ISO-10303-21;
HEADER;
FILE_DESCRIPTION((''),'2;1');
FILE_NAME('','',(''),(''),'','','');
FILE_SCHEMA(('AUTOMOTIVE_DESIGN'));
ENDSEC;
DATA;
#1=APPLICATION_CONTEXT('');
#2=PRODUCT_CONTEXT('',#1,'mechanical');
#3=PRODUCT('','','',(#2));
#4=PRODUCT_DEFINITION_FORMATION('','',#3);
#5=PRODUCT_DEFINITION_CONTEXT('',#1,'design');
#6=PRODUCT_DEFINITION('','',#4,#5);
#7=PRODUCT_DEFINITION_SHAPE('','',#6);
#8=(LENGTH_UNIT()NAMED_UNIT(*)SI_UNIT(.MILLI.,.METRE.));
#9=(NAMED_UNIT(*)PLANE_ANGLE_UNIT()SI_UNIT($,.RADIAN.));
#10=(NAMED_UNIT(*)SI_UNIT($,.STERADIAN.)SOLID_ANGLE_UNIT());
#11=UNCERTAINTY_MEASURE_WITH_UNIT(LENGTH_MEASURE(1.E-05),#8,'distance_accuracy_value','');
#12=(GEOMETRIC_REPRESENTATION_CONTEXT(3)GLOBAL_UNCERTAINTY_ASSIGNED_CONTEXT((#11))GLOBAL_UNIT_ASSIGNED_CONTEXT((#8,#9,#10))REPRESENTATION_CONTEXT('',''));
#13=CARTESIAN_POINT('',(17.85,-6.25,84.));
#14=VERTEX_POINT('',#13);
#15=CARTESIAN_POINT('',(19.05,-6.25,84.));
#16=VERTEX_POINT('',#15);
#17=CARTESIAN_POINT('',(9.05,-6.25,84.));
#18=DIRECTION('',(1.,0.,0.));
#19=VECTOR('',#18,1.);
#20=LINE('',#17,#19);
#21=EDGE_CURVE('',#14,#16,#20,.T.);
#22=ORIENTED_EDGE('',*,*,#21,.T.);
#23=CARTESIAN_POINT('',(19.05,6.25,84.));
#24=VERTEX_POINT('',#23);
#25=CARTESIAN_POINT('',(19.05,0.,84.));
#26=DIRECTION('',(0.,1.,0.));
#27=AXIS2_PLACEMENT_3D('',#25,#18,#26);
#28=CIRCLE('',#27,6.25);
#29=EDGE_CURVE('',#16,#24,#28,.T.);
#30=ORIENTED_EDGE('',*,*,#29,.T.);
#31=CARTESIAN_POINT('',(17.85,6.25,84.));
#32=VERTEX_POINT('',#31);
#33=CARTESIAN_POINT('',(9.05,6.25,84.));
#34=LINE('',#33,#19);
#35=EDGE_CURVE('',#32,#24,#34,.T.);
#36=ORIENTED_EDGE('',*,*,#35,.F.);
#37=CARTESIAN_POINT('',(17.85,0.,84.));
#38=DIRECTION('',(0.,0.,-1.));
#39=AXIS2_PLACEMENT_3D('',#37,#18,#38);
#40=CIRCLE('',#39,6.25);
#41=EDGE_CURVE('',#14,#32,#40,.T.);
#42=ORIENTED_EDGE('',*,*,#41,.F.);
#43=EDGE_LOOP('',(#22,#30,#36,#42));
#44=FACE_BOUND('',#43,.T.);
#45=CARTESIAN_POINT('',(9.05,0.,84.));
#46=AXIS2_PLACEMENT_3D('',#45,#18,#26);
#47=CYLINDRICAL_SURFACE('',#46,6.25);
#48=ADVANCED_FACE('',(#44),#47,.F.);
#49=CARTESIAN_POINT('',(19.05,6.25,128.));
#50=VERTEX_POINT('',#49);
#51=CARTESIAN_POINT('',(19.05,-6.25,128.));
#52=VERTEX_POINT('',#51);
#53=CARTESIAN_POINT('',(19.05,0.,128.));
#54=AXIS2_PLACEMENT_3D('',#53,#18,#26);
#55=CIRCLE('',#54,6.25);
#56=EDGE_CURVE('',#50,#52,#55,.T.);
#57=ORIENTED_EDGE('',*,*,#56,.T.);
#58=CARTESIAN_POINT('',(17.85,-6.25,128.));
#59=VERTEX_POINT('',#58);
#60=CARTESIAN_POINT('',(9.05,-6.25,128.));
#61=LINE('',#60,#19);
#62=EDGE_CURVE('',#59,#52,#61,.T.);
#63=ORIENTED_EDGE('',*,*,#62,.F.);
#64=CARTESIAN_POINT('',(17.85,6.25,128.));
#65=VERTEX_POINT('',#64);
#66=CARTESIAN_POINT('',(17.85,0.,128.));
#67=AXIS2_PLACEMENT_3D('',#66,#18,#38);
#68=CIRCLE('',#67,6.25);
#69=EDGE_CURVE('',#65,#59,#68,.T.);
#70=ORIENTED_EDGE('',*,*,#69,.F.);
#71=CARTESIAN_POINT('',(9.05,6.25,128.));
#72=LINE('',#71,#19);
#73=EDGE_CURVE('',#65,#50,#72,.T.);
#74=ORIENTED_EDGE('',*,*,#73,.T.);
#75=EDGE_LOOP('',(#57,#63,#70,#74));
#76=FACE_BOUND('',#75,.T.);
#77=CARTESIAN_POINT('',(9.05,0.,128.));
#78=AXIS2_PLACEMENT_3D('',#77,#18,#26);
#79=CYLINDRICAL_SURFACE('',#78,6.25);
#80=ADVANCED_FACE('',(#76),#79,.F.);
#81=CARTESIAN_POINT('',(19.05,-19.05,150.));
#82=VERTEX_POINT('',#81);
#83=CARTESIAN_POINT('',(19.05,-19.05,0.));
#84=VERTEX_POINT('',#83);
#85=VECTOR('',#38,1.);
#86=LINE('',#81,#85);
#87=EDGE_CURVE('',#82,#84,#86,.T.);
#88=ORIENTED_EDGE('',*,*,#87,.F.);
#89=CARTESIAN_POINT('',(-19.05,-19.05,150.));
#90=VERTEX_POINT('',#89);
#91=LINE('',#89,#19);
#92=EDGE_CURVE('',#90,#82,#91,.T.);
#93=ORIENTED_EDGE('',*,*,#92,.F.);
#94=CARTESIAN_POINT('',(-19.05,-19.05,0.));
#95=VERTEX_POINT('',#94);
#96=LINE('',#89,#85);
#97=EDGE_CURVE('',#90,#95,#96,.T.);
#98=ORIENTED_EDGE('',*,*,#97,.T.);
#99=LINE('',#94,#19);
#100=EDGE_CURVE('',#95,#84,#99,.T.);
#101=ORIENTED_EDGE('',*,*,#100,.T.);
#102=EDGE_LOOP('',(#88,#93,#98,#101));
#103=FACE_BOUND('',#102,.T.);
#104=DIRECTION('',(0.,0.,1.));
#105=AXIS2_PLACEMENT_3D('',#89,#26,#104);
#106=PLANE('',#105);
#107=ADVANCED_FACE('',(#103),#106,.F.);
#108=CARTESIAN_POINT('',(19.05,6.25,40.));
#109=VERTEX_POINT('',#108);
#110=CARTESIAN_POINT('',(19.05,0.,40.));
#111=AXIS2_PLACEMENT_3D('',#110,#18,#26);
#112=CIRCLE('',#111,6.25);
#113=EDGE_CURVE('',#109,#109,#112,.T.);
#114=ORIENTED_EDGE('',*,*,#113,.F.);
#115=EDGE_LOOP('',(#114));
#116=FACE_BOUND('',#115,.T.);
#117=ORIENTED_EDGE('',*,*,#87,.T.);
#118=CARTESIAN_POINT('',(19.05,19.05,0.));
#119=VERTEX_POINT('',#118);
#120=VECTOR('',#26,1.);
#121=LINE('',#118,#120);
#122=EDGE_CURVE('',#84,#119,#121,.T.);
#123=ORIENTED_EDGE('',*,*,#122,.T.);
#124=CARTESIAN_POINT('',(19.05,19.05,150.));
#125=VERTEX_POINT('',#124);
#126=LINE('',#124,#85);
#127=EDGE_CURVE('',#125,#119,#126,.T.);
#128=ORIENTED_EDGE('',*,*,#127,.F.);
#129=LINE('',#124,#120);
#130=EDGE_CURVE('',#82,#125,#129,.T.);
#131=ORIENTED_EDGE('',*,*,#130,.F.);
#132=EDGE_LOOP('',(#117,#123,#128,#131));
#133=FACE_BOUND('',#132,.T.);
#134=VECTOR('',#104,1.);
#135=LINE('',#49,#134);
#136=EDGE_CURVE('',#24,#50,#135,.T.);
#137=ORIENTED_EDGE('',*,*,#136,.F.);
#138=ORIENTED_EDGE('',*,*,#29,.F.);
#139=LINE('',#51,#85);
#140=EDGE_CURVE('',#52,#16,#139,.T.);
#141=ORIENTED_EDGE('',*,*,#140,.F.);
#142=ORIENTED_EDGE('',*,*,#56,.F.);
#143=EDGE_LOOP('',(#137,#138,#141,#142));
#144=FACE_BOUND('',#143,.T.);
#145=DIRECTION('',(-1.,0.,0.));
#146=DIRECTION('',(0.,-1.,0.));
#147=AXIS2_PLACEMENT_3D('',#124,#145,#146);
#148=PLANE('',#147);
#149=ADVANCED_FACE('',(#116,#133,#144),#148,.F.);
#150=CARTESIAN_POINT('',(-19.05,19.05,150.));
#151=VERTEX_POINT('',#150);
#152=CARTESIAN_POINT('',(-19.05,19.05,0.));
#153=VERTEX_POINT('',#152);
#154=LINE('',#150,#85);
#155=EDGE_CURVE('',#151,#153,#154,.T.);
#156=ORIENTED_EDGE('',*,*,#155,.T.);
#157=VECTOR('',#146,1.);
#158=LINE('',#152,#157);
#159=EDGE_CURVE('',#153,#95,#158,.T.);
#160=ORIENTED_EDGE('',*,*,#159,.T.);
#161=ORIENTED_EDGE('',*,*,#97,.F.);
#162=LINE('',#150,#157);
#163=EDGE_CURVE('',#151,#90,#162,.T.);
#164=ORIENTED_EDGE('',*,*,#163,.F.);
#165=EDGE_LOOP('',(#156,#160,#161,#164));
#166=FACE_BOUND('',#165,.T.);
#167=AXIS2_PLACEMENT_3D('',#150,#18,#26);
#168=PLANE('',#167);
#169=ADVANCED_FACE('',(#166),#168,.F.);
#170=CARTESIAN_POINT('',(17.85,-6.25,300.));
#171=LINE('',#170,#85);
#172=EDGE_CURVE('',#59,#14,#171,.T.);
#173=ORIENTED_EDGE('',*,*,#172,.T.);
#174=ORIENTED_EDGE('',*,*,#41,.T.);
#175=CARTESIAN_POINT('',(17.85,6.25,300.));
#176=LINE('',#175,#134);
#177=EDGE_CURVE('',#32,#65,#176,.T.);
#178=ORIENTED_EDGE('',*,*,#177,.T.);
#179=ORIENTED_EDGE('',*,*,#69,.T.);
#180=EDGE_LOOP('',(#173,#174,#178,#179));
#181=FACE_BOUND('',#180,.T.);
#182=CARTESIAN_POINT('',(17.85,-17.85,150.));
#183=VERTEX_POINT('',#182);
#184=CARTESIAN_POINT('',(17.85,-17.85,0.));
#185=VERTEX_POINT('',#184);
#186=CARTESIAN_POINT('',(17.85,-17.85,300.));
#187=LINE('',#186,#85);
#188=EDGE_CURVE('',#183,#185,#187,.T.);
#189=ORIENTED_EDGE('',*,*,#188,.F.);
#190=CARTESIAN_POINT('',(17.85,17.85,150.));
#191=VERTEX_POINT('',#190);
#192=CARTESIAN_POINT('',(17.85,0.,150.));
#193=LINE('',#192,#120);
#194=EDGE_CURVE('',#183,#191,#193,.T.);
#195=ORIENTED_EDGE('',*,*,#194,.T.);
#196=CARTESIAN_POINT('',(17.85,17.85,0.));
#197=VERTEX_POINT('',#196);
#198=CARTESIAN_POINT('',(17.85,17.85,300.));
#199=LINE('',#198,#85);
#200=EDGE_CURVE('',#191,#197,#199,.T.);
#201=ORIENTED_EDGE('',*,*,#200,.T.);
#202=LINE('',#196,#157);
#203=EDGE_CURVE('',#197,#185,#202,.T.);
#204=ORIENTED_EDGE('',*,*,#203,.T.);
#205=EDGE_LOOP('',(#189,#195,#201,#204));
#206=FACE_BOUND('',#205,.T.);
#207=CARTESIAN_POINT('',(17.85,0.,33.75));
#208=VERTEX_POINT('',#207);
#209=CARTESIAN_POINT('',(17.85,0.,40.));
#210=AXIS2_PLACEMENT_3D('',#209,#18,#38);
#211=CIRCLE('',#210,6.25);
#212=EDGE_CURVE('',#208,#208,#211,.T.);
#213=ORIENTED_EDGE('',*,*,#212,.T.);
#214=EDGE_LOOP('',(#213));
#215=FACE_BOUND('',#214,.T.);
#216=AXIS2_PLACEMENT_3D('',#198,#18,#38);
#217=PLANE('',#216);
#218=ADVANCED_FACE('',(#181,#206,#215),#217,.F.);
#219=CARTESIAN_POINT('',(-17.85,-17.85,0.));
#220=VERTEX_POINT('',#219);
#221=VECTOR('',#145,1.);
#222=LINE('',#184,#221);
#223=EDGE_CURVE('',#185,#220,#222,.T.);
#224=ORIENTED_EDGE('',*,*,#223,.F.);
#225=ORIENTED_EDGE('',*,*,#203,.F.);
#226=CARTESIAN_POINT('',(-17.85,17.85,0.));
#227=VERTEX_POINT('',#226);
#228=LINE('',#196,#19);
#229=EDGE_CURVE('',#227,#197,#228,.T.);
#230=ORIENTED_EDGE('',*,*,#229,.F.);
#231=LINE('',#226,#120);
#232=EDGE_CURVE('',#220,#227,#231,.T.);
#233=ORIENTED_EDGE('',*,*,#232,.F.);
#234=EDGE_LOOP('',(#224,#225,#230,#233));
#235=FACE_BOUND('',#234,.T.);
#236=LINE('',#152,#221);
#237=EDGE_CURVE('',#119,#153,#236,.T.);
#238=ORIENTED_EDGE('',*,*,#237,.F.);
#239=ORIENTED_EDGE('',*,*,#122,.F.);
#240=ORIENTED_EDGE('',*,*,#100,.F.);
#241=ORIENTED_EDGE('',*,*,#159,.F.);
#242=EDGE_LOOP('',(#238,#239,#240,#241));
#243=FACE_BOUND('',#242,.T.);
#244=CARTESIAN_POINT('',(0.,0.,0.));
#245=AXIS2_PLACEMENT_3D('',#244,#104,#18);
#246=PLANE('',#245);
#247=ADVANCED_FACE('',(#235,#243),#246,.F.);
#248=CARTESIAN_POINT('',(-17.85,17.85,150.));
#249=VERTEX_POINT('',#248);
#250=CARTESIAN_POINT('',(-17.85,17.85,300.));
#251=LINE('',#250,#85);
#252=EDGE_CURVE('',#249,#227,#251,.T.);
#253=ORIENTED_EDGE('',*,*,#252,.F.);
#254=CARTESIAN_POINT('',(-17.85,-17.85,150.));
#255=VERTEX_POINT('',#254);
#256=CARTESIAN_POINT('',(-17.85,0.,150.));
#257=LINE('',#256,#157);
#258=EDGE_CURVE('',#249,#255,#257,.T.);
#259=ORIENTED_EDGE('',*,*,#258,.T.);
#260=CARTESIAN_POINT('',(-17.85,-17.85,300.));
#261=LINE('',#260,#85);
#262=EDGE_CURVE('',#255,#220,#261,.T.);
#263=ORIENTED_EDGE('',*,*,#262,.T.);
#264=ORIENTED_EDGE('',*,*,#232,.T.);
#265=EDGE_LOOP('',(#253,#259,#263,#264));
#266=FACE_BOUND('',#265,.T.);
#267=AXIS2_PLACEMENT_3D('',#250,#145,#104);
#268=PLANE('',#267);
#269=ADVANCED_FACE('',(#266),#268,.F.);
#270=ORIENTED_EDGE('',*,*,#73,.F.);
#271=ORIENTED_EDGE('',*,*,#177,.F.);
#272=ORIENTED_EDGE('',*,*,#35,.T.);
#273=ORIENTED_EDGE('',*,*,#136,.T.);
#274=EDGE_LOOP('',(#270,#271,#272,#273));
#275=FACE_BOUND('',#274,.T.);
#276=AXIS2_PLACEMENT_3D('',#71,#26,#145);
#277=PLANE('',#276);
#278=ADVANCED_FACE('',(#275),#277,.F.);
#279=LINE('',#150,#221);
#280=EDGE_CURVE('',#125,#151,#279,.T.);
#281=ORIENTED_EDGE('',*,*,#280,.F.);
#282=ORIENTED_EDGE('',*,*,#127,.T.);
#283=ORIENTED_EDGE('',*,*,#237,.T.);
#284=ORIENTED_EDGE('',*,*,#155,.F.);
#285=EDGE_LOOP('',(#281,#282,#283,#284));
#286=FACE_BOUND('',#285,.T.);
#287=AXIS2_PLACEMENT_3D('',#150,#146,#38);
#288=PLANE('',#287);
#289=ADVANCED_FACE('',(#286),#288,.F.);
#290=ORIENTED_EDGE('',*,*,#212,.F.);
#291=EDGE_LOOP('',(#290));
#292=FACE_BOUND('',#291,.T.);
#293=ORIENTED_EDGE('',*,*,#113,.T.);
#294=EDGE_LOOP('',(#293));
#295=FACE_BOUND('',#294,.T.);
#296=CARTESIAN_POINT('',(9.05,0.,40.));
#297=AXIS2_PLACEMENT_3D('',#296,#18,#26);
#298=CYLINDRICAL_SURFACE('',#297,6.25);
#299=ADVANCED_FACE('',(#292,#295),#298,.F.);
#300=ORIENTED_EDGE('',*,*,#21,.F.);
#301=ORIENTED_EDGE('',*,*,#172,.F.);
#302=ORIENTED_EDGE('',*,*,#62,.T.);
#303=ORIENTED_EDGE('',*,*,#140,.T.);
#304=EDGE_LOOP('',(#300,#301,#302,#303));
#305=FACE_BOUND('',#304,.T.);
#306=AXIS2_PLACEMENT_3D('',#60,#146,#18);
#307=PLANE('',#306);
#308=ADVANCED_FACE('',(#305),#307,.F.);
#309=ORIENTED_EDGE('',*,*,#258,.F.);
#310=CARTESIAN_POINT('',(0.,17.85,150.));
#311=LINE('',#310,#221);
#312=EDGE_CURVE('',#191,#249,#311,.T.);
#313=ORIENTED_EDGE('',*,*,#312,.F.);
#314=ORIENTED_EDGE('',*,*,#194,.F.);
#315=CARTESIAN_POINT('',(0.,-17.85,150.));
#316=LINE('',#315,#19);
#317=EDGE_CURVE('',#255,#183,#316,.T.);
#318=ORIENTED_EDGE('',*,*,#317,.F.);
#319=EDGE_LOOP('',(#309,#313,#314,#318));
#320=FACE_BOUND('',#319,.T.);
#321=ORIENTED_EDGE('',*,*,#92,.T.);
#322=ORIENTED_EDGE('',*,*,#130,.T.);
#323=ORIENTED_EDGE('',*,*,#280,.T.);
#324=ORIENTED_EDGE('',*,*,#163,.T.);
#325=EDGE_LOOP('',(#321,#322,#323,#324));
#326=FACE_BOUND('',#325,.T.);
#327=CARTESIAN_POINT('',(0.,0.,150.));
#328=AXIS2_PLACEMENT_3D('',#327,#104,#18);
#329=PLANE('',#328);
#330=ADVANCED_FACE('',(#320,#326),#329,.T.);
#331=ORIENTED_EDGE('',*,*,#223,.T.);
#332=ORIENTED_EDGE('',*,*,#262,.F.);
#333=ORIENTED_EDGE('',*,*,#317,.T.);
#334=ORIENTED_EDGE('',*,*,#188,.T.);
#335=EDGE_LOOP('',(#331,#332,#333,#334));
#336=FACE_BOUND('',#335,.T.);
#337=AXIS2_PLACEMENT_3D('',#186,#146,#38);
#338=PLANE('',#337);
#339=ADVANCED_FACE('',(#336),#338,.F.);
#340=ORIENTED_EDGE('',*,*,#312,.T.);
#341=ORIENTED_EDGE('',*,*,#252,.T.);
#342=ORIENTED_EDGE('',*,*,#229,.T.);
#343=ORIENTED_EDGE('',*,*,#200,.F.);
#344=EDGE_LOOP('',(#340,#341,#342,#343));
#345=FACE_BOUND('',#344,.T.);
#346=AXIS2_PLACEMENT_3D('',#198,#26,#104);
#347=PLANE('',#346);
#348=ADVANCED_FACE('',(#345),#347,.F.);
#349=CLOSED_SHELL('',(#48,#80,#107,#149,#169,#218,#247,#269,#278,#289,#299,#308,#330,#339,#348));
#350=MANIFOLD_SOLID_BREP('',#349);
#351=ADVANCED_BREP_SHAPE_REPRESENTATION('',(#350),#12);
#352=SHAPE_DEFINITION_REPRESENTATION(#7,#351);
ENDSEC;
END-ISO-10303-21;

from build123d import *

# Parameters (mm, degrees)
CROQUIS1_W              = 38.1
CROQUIS1_H              = 38.1
SALIENTE_EXTRUIR1_DEPTH = 150
CROQUIS4_W              = 35.7
CROQUIS4_H              = 35.7
CORTAR_EXTRUIR3_DEPTH   = 300
CROQUIS2_R              = 6.25
CORTAR_EXTRUIR5_DEPTH   = 10


with BuildPart() as part:
    # Croquis1 → Saliente-Extruir1 (new body)
    with BuildSketch(Plane.XY):
        Rectangle(CROQUIS1_W, CROQUIS1_H)
    extrude(amount=SALIENTE_EXTRUIR1_DEPTH)

    # Croquis4 → Cortar-Extruir3 (cut)
    with BuildSketch(Plane(origin=(0, 0, 0), x_dir=(-1, 0, 0), z_dir=(0, 0, -1))):
        Rectangle(CROQUIS4_W, CROQUIS4_H)
    extrude(amount=-CORTAR_EXTRUIR3_DEPTH, mode=Mode.SUBTRACT)

    # Croquis2 → Cortar-Extruir5 (cut)
    with BuildSketch(Plane(origin=(19.05, 0, 0), x_dir=(0, 0, -1), z_dir=(1, 0, 0))):
        with Locations(Location((-40, 0, 0), (0, 0, 90))):
            Circle(CROQUIS2_R)
        with BuildLine():
            Line((-128, -6.25), (-84, -6.25))
            ThreePointArc((-84, -6.25), (-77.75, 0), (-84, 6.25))
            Line((-84, 6.25), (-128, 6.25))
            ThreePointArc((-128, 6.25), (-134.25, 0), (-128, -6.25))
        make_face()
    extrude(amount=-CORTAR_EXTRUIR5_DEPTH, mode=Mode.SUBTRACT)


solid = part.part
